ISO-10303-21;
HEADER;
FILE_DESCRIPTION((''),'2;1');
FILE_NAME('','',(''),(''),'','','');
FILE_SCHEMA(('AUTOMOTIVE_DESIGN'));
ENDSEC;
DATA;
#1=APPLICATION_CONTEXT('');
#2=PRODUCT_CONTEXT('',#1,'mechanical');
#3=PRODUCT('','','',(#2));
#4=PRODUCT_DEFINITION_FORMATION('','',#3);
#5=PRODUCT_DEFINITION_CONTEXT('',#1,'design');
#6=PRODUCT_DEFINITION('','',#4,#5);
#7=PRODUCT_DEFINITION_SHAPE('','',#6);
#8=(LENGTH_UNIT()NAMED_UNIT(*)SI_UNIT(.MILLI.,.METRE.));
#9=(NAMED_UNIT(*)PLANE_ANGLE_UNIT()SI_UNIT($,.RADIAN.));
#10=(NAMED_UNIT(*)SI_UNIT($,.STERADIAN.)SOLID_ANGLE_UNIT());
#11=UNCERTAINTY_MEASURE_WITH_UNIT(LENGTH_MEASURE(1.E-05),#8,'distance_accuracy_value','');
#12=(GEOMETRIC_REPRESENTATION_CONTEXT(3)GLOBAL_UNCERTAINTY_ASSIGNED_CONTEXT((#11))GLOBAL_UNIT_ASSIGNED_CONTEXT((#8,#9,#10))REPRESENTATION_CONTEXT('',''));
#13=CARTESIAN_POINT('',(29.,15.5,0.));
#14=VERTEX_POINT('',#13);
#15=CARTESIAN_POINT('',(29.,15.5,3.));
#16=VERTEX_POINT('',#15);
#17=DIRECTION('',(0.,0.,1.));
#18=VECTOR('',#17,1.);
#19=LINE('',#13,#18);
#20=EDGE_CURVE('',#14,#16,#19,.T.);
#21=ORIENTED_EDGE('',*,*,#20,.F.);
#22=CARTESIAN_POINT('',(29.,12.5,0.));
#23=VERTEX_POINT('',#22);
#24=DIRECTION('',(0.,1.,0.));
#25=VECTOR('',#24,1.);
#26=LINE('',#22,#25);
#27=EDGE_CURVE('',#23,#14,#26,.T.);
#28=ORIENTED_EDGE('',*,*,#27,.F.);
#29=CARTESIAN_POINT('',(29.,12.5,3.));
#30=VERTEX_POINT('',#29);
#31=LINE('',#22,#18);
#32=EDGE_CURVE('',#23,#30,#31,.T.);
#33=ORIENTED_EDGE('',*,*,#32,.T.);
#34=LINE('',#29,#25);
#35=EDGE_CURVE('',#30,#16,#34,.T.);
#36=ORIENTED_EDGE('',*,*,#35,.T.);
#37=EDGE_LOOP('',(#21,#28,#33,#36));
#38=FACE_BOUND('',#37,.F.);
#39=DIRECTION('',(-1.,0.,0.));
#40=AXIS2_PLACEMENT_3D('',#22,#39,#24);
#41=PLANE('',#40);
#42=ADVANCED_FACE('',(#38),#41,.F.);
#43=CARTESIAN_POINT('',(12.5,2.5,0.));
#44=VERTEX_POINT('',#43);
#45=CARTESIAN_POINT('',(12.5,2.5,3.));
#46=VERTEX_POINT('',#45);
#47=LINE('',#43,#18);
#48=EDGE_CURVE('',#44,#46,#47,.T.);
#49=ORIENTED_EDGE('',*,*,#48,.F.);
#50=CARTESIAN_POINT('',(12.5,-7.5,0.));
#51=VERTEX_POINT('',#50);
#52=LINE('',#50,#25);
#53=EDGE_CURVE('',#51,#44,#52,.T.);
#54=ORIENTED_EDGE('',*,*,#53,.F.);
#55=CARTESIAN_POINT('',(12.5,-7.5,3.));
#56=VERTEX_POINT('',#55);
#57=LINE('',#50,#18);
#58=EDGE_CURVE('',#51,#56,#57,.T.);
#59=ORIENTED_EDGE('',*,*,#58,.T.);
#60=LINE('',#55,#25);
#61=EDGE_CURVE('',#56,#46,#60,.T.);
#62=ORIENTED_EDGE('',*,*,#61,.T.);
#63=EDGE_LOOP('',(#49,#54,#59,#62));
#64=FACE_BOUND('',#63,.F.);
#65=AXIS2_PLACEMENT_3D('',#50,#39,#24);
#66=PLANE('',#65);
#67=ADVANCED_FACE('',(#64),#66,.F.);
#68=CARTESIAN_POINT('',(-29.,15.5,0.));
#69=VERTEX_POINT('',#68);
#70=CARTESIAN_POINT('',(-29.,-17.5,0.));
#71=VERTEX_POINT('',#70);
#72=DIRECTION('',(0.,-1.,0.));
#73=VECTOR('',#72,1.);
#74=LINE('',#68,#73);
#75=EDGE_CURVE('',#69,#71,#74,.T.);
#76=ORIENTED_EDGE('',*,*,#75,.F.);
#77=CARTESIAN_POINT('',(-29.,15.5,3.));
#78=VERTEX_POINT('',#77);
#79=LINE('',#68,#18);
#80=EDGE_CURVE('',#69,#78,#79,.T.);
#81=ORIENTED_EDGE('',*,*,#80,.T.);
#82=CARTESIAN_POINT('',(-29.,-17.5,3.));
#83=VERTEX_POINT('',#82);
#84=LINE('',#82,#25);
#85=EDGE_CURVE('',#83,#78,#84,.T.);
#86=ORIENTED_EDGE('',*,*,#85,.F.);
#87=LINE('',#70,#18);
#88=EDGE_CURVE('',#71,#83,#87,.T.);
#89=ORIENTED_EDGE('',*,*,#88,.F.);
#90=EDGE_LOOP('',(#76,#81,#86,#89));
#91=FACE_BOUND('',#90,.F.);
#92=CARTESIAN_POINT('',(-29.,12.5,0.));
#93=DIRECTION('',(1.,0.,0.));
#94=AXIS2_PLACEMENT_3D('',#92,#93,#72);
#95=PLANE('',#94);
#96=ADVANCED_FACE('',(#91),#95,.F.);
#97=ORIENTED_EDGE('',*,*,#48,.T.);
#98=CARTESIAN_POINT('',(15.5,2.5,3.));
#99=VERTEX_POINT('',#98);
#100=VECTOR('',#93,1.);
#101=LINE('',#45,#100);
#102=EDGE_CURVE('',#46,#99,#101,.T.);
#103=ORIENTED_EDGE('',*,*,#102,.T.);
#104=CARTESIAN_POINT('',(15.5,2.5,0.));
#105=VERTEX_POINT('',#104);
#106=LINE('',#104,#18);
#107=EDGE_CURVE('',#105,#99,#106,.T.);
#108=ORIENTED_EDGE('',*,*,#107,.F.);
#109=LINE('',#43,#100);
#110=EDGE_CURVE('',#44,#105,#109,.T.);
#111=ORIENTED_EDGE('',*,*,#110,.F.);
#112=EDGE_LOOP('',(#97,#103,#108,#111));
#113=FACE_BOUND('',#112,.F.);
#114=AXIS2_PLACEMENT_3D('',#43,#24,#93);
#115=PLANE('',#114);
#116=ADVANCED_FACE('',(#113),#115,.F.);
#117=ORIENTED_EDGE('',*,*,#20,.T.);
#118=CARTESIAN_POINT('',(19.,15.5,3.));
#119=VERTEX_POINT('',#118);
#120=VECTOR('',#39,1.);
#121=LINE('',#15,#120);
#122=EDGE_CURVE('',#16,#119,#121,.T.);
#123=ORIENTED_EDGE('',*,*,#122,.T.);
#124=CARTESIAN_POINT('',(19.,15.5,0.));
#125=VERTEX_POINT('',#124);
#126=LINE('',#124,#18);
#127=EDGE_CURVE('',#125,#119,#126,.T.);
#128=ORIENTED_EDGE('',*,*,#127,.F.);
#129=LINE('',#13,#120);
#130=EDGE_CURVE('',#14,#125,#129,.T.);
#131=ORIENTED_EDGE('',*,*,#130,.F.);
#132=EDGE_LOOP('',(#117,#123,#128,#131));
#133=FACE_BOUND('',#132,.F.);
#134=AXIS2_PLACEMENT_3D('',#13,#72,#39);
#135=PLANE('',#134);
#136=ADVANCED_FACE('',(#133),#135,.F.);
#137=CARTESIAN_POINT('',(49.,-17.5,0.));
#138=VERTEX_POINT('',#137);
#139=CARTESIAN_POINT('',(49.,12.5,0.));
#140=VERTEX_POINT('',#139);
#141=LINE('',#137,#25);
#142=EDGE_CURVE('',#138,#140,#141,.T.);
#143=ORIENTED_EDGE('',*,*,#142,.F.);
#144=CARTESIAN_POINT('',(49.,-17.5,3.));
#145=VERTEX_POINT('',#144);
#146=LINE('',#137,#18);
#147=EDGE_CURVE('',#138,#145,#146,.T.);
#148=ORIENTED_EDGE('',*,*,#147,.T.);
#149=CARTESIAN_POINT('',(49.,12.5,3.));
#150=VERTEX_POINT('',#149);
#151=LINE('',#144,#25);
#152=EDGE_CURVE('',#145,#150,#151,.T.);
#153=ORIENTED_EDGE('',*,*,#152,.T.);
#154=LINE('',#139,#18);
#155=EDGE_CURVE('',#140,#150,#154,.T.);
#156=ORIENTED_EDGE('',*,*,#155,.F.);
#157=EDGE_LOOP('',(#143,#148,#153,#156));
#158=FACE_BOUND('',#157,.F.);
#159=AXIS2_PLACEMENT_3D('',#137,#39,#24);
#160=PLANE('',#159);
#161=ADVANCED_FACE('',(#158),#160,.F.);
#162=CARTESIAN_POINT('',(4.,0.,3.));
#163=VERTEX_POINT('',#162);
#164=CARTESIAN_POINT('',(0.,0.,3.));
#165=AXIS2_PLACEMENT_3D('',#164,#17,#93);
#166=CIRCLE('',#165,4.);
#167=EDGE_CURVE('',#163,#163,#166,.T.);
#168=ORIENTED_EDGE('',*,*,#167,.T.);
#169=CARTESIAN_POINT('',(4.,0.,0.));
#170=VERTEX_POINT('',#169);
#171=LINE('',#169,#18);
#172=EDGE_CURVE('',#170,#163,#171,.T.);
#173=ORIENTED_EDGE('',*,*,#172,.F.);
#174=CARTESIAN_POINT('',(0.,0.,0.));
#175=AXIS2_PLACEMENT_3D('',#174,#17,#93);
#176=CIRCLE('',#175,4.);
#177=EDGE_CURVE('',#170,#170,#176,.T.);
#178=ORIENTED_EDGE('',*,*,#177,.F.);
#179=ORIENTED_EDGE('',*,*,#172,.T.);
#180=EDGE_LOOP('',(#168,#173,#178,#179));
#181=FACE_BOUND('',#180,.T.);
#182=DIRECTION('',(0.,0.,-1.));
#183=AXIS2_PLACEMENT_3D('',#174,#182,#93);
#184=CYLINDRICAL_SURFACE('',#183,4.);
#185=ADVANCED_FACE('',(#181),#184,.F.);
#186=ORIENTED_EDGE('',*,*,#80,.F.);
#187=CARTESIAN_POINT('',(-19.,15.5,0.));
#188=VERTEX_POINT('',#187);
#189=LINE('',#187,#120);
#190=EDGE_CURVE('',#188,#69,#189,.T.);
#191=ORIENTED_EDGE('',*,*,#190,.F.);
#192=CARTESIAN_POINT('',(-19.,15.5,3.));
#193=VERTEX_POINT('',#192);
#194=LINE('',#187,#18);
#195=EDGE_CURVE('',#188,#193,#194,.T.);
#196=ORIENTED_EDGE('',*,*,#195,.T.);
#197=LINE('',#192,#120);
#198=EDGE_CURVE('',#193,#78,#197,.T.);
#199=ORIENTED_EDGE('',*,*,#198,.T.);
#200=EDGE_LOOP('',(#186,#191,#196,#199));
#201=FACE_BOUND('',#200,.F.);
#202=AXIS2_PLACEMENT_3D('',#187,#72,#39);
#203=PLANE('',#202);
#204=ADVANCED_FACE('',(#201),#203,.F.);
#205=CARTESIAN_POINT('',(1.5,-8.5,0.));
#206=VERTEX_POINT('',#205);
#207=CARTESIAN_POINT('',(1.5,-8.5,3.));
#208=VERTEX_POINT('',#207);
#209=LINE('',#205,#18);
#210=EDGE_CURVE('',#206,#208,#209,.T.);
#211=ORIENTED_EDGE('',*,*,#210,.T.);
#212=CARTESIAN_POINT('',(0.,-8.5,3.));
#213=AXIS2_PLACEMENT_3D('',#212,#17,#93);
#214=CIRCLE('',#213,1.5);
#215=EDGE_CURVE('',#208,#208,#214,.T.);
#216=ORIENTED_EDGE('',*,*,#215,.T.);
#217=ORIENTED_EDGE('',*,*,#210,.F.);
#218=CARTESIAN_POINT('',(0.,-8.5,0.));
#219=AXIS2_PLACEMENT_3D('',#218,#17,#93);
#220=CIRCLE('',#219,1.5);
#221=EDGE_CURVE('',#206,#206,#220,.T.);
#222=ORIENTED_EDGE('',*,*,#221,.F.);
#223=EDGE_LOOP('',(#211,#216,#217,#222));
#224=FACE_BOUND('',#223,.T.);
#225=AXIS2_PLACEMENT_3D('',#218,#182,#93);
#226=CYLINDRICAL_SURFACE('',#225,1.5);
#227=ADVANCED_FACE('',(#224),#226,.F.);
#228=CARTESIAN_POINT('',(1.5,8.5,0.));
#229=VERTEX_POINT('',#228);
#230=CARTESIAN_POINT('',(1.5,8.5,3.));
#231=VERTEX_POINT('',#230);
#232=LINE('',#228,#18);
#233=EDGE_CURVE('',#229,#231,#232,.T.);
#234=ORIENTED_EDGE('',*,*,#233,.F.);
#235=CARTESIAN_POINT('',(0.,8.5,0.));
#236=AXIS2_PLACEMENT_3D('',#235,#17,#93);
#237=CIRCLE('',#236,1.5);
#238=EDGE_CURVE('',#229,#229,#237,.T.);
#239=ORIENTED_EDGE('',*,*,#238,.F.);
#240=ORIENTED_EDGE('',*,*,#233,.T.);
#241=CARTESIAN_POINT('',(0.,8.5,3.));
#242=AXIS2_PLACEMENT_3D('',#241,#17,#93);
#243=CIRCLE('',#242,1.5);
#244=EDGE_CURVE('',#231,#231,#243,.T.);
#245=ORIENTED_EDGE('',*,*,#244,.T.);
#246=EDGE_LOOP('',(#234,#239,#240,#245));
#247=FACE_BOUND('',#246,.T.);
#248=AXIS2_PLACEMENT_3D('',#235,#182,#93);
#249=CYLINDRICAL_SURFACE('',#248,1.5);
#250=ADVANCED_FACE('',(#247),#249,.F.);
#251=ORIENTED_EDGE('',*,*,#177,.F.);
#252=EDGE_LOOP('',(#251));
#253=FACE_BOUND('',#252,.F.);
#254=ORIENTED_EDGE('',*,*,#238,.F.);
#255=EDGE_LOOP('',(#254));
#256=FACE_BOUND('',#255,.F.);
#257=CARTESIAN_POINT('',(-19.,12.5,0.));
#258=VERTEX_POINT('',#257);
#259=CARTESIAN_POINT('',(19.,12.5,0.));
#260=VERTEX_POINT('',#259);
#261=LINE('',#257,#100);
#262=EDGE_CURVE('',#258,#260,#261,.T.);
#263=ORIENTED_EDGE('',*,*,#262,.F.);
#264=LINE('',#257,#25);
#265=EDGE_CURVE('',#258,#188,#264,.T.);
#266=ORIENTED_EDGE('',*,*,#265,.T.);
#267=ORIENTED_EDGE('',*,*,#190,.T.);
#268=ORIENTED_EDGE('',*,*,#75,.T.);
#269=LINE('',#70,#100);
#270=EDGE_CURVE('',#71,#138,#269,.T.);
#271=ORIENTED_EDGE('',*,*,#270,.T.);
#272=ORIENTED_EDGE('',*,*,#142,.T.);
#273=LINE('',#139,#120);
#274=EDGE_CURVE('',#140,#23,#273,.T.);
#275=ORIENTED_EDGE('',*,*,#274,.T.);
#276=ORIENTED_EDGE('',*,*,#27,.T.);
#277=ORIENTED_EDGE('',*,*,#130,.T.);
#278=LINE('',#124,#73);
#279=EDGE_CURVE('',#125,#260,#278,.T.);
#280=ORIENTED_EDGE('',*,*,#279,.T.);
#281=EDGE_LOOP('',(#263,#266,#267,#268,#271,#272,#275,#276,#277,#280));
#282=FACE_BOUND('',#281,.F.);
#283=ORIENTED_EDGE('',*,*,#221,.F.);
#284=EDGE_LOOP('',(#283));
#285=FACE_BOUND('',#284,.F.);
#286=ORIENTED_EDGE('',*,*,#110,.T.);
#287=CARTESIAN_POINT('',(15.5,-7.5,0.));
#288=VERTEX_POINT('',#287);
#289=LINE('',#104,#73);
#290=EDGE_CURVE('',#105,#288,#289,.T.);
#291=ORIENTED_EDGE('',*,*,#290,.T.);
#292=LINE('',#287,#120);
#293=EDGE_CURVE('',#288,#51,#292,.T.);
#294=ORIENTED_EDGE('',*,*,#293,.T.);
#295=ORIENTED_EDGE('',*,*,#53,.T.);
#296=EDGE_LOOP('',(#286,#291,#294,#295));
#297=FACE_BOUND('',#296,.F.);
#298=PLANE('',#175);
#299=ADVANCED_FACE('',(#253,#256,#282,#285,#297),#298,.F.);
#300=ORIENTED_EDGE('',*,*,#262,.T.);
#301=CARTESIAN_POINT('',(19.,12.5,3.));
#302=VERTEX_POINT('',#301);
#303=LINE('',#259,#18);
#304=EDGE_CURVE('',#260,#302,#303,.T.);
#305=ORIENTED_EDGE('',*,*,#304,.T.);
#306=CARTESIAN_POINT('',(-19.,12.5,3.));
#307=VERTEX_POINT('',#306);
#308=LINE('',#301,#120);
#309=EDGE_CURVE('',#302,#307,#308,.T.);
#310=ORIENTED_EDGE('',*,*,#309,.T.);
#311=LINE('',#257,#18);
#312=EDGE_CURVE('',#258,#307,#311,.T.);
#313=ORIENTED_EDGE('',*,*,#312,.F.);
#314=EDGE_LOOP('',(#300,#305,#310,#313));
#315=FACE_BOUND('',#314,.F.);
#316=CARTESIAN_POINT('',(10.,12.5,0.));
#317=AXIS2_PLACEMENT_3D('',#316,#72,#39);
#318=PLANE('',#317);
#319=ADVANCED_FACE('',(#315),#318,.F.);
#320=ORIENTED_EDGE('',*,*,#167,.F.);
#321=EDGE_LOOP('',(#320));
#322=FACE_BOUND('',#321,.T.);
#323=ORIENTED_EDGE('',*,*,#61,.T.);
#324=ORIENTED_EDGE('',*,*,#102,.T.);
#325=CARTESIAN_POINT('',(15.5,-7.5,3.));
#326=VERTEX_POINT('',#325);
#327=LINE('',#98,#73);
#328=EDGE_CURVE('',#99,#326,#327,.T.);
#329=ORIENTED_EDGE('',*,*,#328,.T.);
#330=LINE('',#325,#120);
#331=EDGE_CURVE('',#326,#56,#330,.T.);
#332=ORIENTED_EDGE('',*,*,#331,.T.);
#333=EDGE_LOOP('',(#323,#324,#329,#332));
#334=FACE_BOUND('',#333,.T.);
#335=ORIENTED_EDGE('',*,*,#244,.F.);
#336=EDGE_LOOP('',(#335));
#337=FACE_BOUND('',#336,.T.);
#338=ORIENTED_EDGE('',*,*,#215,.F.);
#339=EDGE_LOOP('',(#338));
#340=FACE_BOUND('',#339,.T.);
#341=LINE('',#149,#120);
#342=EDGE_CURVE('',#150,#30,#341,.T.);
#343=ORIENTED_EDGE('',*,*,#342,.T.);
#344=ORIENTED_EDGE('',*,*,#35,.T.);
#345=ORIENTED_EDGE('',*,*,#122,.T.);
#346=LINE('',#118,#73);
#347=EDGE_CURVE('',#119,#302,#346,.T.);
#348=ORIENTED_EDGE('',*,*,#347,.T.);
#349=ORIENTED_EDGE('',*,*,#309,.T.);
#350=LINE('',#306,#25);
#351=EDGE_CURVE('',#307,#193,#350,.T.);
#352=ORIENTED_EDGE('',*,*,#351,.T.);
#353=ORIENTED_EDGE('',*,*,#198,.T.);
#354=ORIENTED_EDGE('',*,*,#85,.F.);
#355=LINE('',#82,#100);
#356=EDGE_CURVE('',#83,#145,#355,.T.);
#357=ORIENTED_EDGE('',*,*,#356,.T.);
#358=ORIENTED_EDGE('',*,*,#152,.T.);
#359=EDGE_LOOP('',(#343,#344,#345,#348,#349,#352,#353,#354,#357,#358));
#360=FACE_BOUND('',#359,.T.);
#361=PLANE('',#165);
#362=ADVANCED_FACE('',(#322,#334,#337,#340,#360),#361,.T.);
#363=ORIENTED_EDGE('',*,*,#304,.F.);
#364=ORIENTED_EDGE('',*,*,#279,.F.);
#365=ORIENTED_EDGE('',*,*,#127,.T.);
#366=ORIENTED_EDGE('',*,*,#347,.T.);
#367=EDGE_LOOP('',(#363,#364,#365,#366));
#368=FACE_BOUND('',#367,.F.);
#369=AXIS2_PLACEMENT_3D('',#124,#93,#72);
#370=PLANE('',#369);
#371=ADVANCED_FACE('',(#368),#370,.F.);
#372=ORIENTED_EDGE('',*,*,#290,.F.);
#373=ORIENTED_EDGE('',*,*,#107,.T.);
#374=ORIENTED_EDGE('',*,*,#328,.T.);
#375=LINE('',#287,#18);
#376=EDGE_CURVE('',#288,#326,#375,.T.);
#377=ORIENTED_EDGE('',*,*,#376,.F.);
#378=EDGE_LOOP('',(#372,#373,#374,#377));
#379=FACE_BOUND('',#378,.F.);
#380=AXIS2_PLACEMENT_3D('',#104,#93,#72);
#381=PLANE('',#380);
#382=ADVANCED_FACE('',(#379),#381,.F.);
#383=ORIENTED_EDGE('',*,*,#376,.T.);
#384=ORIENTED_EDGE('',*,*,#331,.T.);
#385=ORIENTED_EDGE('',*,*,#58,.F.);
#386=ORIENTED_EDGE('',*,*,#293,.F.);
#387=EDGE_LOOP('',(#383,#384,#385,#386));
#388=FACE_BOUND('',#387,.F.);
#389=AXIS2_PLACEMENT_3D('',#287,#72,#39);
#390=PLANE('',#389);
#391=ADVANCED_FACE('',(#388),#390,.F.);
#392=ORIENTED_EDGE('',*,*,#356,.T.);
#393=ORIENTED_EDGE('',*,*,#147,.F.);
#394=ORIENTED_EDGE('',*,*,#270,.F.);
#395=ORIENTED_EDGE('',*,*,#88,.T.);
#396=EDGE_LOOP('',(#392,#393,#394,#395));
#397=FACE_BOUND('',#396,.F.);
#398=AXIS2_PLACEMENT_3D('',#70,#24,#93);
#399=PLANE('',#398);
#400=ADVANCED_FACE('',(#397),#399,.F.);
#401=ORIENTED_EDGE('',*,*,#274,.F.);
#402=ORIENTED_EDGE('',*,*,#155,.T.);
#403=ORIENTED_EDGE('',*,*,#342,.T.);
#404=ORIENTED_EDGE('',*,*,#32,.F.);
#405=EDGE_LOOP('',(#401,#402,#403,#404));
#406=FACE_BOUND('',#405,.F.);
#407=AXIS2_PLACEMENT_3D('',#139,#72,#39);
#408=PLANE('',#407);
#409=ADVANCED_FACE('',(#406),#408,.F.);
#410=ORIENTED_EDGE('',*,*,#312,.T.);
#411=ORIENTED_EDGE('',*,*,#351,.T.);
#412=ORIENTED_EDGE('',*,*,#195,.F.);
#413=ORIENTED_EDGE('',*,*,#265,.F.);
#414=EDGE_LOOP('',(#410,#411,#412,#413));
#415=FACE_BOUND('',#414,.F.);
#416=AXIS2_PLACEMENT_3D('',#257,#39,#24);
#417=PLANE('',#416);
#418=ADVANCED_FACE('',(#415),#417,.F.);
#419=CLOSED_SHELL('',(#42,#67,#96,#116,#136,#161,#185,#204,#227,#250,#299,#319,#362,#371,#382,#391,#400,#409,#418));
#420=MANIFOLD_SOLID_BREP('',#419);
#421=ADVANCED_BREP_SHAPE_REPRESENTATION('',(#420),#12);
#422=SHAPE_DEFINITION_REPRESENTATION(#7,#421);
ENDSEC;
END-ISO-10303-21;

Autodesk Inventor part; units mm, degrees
ref_plane "YZ Plane" through (0, 0, 0) normal (1, 0, 0) x (0, 1, 0)
ref_plane "XZ Plane" through (0, 0, 0) normal (0, 1, 0) x (-1, 0, 0)
ref_plane "XY Plane" through (0, 0, 0) normal (0, 0, 1) x (1, 0, 0)
sketch "Sketch1" plane through (0, 0, 0) normal (0, 0, 1) x (1, 0, 0)
  circle A0 centre (0, 0) radius 12.5 construction
  circle A1 centre (0, -8.5) radius 1.5 construction
  circle A2 centre (0, 8.5) radius 1.5 construction
  line L0 (-29, -17.5) -> (49, -17.5)
  line L1 (49, -17.5) -> (49, 12.5)
  line L2 (49, 12.5) -> (-29, 12.5)
  line L3 (-29, 12.5) -> (-29, -17.5)
  line L4 (-29, 12.5) -> (-19, 12.5)
  line L5 (-19, 12.5) -> (-19, 15.5)
  line L6 (-19, 15.5) -> (-29, 15.5)
  line L7 (-29, 15.5) -> (-29, 12.5)
  line L8 (10, 12.5) -> (27.5, 12.5)
  line L9 (19, 12.5) -> (29, 12.5)
  line L10 (29, 12.5) -> (29, 15.5)
  line L11 (29, 15.5) -> (19, 15.5)
  line L12 (19, 15.5) -> (19, 12.5)
  line L13 (12.5, 2.5) -> (15.5, 2.5)
  line L14 (15.5, 2.5) -> (15.5, -7.5)
  line L15 (15.5, -7.5) -> (12.5, -7.5)
  line L16 (12.5, -7.5) -> (12.5, 2.5)
  circle A3 centre (0, 0) radius 4
  circle A4 centre (0, -8.5) radius 1.5
  circle A5 centre (0, 8.5) radius 1.5
  point P0 (15.5, -2.5)
  point P1 (49, -2.5)
  dimension "d0" = 25
  dimension "d1" = 3
  dimension "d2" = 3
  dimension "d3" = 17
  dimension "d4" = 8.5
  dimension "d5" = 10
  dimension "d6" = 3
  dimension "d10" = 29
  dimension "d11" = 10
  dimension "d12" = 3
  dimension "d13" = 48
  dimension "d14" = 20
  dimension "d15" = 30
  dimension "d16" = 3
  dimension "d17" = 10
  dimension "d20" = 8
  dimension "d21" = 3
extrude "Extrusion1" add sketch "Sketch1" along normal blind 3
equation "\"d4\" = 0.5 * d3"
equation "\"d13\" = 2 * d10 - d11"
equation "\"d21\" = d1"
properties part number "Motor mount plate"
